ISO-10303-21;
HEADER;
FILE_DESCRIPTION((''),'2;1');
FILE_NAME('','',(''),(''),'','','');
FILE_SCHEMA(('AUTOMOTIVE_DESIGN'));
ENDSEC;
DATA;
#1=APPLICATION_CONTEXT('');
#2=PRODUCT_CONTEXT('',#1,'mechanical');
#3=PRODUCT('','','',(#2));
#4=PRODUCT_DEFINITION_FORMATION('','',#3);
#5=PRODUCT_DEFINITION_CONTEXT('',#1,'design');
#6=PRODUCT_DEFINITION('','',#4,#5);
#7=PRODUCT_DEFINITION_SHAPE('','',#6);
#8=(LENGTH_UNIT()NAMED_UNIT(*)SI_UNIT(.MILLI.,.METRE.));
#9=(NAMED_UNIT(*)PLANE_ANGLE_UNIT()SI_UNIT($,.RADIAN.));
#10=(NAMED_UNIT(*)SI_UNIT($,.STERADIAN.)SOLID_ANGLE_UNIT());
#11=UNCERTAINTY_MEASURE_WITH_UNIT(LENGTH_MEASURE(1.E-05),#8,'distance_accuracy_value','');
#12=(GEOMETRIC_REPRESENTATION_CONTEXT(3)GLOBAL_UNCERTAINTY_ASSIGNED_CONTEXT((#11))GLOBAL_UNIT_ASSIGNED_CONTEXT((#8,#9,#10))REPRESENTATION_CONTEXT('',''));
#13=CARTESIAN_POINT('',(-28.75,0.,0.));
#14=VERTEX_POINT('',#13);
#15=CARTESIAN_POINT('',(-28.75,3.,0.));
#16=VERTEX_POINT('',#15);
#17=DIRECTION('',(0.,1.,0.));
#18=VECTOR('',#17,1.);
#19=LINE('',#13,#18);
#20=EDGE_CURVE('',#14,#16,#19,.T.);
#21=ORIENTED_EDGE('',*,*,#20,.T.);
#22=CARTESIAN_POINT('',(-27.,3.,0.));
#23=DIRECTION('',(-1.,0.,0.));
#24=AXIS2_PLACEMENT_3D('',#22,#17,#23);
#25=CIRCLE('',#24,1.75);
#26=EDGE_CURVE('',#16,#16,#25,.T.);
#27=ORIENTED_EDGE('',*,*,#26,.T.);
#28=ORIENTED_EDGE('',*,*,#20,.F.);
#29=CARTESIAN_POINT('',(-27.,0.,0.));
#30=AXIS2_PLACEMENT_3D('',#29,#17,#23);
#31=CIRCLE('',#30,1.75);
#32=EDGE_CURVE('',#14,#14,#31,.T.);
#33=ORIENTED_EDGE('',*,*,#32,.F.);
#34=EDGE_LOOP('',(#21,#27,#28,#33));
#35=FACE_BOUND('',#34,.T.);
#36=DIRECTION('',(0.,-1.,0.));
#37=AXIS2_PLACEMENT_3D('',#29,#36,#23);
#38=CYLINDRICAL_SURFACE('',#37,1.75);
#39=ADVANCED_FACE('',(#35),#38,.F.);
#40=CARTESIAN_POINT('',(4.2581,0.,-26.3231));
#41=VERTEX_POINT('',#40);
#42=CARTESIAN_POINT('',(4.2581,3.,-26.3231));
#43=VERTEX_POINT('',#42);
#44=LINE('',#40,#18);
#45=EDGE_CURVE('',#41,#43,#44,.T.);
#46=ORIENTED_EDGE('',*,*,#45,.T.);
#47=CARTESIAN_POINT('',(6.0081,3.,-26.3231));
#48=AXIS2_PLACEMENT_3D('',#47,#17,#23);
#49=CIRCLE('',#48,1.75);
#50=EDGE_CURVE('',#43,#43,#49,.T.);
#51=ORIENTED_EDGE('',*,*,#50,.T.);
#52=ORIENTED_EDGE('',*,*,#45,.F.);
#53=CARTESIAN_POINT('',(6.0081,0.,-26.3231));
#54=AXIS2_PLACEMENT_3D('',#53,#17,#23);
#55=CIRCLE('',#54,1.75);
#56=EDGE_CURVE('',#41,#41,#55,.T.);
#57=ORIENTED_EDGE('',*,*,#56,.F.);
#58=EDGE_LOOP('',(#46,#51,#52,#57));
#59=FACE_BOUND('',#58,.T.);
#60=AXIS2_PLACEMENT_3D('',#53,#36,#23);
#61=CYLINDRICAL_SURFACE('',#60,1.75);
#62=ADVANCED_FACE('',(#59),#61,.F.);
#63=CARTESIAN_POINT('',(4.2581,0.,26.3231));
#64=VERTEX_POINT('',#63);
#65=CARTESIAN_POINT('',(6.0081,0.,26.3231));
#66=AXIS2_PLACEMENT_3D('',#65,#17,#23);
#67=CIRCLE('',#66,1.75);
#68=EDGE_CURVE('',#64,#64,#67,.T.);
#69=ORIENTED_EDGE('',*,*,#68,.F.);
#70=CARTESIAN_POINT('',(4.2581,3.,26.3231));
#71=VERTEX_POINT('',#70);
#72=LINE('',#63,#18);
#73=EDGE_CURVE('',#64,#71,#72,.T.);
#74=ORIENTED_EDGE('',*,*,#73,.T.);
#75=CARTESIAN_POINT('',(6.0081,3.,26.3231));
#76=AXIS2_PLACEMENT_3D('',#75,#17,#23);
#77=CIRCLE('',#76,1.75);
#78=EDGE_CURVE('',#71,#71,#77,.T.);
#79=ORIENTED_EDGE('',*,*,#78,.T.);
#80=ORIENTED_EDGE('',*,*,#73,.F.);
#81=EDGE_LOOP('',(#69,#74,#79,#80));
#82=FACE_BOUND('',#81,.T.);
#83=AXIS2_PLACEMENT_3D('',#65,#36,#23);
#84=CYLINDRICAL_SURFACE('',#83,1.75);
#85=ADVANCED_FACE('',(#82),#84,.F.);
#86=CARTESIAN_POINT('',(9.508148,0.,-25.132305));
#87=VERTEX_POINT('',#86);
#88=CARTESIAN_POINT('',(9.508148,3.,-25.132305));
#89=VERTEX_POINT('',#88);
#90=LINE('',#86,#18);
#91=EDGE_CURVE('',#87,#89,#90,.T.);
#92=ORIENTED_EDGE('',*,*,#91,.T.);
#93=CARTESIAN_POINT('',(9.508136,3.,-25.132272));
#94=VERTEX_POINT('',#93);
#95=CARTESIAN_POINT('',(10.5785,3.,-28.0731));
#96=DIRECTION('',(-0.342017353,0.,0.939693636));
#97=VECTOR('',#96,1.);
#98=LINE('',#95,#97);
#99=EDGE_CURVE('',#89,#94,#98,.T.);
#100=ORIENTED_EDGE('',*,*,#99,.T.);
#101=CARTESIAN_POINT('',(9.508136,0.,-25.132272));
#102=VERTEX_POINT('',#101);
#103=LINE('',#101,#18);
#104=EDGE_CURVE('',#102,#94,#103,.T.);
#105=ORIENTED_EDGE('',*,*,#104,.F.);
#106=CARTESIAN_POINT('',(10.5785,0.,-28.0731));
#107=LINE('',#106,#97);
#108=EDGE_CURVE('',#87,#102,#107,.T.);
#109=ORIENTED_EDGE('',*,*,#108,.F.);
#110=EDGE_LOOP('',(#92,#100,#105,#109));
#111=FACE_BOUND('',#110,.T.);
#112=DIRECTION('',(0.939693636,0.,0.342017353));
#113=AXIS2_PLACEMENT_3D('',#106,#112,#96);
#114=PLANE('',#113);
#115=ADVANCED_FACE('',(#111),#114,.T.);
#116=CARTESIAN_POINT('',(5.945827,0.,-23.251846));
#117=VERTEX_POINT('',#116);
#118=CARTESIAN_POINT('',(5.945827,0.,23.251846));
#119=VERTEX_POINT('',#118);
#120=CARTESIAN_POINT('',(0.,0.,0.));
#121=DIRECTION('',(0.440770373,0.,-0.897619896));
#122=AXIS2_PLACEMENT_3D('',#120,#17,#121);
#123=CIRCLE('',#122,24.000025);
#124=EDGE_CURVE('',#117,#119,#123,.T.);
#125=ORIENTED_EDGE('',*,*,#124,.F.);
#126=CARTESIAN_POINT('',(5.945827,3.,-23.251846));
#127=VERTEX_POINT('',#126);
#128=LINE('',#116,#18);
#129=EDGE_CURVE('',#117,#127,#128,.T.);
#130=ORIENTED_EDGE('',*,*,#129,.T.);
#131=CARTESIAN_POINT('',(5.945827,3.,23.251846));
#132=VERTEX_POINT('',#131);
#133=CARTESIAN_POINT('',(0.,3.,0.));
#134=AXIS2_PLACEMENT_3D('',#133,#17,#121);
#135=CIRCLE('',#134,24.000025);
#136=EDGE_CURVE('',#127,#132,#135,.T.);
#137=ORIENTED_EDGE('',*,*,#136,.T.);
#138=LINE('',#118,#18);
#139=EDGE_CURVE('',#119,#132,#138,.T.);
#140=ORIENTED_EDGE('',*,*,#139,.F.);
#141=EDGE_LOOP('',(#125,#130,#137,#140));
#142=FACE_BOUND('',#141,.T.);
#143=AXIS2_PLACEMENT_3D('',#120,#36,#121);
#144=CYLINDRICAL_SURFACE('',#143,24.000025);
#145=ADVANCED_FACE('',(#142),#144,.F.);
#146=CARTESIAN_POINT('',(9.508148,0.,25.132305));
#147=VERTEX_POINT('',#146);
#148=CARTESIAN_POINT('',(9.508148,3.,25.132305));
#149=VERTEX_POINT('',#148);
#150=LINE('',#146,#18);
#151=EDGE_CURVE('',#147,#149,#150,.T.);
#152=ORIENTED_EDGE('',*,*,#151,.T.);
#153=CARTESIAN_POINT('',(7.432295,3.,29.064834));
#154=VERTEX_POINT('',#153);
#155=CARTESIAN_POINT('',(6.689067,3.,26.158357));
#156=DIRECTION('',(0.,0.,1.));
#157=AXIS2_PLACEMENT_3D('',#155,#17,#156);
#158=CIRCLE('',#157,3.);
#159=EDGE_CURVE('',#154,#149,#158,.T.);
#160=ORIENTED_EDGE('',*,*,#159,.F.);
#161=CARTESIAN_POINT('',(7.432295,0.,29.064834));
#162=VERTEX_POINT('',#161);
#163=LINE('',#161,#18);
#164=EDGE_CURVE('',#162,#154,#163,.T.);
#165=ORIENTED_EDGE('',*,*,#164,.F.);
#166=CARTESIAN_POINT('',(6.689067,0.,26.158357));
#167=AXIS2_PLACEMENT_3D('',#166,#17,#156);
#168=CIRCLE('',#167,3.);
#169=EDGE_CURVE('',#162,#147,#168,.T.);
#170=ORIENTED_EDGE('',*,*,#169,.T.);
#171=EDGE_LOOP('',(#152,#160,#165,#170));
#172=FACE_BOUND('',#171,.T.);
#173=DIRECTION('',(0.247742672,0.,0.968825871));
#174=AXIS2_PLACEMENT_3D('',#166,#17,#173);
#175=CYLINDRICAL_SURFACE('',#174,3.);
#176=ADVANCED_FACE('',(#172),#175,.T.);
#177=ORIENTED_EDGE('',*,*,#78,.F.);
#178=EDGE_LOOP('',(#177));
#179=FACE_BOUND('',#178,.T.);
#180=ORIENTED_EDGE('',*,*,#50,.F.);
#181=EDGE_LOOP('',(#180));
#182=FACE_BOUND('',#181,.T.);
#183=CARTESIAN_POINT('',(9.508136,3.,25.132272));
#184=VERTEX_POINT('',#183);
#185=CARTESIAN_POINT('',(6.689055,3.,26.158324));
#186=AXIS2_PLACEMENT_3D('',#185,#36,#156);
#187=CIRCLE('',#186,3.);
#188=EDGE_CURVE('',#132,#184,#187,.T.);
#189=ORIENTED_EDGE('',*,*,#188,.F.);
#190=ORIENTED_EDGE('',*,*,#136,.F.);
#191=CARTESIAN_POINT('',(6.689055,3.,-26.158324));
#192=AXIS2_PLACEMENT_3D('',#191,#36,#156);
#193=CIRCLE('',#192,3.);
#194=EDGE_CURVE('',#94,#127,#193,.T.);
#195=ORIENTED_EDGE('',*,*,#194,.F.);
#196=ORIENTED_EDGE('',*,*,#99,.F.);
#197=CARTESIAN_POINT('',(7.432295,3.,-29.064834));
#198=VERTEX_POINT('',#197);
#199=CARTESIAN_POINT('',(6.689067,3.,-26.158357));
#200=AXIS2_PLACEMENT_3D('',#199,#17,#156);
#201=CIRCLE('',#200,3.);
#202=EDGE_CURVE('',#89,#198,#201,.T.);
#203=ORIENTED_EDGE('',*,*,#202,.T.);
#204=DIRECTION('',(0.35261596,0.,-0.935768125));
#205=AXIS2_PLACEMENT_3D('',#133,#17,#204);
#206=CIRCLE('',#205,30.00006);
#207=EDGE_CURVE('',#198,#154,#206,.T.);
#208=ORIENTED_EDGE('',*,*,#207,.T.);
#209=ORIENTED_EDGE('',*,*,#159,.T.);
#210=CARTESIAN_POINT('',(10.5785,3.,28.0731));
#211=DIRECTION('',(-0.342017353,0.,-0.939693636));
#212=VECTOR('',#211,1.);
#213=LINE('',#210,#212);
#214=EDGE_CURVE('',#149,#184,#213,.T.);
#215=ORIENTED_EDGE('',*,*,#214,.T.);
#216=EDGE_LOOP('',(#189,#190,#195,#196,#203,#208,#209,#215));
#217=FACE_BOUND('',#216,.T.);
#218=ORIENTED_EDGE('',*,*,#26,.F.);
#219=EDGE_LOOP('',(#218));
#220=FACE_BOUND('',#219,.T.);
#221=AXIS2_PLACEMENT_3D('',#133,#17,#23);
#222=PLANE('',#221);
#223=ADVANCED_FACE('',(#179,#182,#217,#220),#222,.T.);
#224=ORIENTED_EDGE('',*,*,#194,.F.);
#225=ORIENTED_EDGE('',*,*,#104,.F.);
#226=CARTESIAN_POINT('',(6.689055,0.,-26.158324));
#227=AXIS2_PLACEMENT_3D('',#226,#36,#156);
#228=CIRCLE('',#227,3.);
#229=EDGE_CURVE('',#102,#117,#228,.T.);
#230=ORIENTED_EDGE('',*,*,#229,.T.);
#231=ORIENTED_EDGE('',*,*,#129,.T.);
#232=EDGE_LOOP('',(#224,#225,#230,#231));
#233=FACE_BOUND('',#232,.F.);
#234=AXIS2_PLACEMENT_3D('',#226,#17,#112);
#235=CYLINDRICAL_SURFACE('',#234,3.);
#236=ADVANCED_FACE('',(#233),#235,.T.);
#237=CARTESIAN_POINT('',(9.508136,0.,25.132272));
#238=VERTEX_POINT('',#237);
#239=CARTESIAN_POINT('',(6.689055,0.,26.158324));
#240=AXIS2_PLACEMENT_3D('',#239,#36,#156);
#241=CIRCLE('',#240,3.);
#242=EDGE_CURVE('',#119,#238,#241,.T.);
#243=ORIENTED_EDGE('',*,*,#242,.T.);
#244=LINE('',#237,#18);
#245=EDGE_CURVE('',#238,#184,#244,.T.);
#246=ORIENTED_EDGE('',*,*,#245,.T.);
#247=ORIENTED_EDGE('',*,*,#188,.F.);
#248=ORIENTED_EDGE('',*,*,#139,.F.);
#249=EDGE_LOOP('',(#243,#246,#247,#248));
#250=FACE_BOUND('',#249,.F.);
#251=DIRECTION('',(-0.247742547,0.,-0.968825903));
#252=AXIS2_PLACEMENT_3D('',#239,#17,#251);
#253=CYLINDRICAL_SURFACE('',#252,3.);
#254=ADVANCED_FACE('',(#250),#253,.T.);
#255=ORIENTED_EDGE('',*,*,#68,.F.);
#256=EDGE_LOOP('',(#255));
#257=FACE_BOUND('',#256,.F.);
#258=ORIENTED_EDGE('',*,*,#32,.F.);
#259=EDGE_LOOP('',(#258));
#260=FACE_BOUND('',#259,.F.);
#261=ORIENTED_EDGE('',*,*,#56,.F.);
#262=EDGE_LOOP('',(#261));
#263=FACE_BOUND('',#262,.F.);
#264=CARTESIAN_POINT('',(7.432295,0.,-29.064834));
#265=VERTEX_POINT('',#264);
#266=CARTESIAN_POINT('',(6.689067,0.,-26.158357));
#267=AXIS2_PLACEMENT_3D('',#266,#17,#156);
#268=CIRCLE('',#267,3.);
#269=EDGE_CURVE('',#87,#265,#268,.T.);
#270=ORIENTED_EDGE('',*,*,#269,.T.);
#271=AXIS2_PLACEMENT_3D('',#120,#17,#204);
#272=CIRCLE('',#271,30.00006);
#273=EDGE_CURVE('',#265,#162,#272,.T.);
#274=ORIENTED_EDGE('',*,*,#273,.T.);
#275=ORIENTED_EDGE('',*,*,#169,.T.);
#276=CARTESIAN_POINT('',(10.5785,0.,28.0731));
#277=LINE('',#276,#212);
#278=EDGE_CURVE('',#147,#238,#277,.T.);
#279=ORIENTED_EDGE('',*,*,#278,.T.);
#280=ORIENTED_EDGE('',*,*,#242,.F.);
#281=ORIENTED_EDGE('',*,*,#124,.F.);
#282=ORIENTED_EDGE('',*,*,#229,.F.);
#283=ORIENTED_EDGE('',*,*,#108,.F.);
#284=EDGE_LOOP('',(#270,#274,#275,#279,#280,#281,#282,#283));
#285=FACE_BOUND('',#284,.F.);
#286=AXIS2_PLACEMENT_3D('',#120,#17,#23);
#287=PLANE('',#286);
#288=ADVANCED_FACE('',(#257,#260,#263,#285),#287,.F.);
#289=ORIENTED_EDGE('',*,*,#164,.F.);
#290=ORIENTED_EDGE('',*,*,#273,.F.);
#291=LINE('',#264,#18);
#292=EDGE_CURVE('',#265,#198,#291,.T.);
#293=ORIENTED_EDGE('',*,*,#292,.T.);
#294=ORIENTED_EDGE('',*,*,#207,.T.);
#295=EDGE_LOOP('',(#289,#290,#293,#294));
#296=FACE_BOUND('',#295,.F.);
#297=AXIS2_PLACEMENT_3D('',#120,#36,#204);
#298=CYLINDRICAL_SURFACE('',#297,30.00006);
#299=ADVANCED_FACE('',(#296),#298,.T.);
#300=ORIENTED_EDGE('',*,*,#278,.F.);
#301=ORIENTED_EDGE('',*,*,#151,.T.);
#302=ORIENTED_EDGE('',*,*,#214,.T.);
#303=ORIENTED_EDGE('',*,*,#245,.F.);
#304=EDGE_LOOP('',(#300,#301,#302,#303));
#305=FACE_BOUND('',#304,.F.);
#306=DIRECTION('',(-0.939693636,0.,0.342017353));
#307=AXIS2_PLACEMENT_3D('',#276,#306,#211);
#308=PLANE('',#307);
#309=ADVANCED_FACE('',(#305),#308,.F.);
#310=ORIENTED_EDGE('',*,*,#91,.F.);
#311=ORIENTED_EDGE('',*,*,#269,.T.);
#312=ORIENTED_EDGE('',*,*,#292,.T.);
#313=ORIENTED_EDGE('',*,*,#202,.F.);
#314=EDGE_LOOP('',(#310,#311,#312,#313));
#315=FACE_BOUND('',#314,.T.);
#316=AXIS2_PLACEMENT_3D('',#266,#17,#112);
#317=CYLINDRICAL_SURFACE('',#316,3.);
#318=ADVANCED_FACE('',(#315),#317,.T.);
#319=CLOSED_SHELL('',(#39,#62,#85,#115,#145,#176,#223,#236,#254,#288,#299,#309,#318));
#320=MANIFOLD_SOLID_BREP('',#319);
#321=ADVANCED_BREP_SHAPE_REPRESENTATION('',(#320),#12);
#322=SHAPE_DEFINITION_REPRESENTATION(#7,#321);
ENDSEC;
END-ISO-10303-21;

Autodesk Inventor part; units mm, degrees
ref_plane "YZ Plane" through (0, 0, 0) normal (1, 0, 0) x (0, 1, 0)
ref_plane "XZ Plane" through (0, 0, 0) normal (0, 1, 0) x (-1, 0, 0)
ref_plane "XY Plane" through (0, 0, 0) normal (0, 0, 1) x (1, 0, 0)
sketch "Sketch1" plane through (0, 0, 0) normal (0, 1, 0) x (-1, 0, 0)
  arc A0 (-10.5785, -28.0731) -> (-10.5785, 28.0731) centre (0, 0) ccw
  arc A1 (-23.5162, 13.2661) -> (-10.5785, 24.8414) centre (0, 0) ccw construction
  arc A2 (-10.5785, -21.5429) -> (-10.5785, 21.5429) centre (0, 0) ccw
  circle A3 centre (27, 0) radius 1.75
  circle A4 centre (16.8342, 21.1095) radius 1.75
  circle A5 centre (-6.0081, 26.3231) radius 1.75
  circle A6 centre (-24.3262, 11.7149) radius 1.75
  circle A7 centre (-24.3262, -11.7149) radius 1.75
  circle A8 centre (-6.0081, -26.3231) radius 1.75
  circle A9 centre (16.8342, -21.1095) radius 1.75
  line L0 (-10.5785, 28.0731) -> (-8.5262, 22.4344)
  line L1 (-10.5785, 28.0731) -> (-4.578, 28.0731) construction
  line L2 (-10.5785, -28.0731) -> (-8.5262, -22.4344)
  dimension "d2" = 60
  dimension "d3" = 54
  dimension "d4" = 48
  dimension "d5" = 3.5
  dimension "d6" = 360
  dimension "d7" = 70
extrude "Extrusion1" add sketch "Sketch1" along normal blind 3 contours L2 A2 L0 A0 | A4 | A9
fillet "Fillet1" radius 3 4 edges at (10.5785, 1.5, 28.0731) (8.5262, 1.5, 22.4344) (8.5262, 1.5, -22.4344) (10.5785, 1.5, -28.0731)
properties part number "Reverse Lever Ring" material "Copper"
